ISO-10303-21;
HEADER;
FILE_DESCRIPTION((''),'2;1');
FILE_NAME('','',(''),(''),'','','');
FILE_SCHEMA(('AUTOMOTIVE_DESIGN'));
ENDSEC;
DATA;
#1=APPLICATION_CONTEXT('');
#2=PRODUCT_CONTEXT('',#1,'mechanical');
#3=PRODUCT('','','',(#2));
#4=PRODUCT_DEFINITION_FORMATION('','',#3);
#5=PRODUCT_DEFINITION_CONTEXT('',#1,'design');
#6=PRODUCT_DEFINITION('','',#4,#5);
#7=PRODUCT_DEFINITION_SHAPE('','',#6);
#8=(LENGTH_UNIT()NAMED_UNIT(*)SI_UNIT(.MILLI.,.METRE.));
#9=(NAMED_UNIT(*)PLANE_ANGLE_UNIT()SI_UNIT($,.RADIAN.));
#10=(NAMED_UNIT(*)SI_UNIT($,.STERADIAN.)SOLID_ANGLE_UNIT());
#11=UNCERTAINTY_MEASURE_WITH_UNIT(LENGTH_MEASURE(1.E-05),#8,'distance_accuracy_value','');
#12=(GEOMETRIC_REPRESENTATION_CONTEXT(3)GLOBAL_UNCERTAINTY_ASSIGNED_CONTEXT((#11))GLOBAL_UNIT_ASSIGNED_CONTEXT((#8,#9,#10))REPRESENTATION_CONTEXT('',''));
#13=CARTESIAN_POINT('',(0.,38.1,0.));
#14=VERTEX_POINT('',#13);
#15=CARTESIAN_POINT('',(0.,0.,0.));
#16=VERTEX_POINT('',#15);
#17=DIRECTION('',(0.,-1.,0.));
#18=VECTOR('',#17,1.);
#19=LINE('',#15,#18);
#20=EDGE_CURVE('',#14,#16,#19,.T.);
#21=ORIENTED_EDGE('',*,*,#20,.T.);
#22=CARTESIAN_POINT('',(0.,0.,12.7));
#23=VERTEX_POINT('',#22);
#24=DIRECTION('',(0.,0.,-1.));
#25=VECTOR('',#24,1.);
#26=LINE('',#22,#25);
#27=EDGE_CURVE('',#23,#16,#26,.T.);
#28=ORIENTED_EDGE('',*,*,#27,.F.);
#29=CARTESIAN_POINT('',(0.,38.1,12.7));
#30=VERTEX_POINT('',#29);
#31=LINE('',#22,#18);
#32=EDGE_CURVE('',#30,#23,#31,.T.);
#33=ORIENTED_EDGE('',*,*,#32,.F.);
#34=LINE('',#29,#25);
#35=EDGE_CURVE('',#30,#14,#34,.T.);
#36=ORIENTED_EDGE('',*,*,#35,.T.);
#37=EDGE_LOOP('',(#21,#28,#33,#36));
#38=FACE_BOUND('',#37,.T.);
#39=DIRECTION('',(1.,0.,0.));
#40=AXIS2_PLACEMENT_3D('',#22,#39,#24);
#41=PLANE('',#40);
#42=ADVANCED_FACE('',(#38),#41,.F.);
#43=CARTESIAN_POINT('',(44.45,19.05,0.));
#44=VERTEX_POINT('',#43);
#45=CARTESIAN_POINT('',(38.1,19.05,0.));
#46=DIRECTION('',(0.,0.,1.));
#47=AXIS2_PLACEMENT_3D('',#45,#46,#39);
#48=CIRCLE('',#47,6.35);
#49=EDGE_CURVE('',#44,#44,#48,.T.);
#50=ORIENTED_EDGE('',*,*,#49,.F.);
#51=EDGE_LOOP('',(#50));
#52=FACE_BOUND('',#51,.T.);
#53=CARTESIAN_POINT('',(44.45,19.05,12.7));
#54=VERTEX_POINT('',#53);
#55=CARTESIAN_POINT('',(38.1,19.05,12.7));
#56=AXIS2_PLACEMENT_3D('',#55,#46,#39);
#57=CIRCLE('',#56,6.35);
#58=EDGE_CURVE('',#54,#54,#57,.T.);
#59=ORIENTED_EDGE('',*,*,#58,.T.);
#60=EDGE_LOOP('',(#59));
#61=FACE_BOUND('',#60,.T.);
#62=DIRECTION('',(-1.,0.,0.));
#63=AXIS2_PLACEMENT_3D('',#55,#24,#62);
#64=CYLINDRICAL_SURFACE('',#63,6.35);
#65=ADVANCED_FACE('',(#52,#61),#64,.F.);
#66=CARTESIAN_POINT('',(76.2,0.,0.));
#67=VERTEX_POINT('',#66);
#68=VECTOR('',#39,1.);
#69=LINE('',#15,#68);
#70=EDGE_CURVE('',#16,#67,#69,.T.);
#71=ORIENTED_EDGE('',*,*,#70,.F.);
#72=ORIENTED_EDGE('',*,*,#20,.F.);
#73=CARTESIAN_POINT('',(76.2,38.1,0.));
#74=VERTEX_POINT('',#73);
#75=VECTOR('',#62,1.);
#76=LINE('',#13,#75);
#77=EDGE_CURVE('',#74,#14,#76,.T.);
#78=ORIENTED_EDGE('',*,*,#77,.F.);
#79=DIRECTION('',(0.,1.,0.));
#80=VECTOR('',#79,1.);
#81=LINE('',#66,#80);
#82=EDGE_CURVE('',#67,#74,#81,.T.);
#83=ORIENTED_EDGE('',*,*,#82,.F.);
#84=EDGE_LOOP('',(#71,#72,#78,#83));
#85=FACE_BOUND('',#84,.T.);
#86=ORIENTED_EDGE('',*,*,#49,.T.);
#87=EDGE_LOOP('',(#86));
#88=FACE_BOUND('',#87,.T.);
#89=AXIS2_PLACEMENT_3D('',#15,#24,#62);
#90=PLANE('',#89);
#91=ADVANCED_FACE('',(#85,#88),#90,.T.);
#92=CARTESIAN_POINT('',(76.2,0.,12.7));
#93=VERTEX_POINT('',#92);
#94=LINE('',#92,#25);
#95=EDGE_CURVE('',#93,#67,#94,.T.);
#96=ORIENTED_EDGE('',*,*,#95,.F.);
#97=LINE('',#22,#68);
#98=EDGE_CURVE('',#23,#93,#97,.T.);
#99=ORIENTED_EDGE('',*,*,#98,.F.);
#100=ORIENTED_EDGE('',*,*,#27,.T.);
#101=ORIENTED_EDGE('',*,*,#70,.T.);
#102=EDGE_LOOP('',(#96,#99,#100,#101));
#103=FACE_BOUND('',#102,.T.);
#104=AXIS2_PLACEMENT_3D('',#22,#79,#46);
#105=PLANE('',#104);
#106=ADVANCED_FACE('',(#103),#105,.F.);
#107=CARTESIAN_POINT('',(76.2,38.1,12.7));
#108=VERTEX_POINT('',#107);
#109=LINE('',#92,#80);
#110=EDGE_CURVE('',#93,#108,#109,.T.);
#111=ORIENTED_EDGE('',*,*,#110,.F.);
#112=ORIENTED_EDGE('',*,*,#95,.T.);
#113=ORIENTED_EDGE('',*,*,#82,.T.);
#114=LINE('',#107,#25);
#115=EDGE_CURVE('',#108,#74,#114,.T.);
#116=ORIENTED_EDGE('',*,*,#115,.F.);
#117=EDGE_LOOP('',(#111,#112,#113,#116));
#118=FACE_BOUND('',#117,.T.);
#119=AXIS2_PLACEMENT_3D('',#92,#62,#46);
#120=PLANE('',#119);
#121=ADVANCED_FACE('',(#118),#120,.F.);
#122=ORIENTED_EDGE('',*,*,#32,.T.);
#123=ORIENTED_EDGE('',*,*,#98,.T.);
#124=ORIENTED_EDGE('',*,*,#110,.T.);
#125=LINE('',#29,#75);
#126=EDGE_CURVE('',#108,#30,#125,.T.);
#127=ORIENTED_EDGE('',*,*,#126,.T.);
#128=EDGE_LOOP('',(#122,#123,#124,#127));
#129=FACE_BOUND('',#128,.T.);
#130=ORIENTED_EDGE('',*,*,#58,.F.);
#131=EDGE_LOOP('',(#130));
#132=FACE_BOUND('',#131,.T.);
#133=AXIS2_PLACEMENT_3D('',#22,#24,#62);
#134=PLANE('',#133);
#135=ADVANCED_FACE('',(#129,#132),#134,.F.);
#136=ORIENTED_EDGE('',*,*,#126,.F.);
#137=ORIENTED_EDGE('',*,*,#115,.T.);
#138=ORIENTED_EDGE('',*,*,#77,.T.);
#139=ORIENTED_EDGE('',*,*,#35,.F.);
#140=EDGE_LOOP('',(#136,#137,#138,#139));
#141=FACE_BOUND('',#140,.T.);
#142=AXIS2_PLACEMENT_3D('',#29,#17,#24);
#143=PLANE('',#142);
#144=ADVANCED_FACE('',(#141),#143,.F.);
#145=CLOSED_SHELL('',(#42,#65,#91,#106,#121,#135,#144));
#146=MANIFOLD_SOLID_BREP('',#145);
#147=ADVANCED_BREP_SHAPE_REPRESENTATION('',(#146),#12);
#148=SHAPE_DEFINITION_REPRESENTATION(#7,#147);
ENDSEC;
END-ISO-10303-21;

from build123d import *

# Parameters (mm, degrees)
SKETCH1_W           = 76.2
SKETCH1_H           = 38.1
SKETCH1_R           = 6.35
BOSS_EXTRUDE1_DEPTH = 12.7


with BuildPart() as part:
    # Sketch1 → Boss-Extrude1 (new body)
    with BuildSketch(Plane.XY):
        with Locations((38.1, 19.05)):
            Rectangle(SKETCH1_W, SKETCH1_H)
        with Locations((38.1, 19.05)):
            Circle(SKETCH1_R, mode=Mode.SUBTRACT)
    extrude(amount=BOSS_EXTRUDE1_DEPTH)


solid = part.part
